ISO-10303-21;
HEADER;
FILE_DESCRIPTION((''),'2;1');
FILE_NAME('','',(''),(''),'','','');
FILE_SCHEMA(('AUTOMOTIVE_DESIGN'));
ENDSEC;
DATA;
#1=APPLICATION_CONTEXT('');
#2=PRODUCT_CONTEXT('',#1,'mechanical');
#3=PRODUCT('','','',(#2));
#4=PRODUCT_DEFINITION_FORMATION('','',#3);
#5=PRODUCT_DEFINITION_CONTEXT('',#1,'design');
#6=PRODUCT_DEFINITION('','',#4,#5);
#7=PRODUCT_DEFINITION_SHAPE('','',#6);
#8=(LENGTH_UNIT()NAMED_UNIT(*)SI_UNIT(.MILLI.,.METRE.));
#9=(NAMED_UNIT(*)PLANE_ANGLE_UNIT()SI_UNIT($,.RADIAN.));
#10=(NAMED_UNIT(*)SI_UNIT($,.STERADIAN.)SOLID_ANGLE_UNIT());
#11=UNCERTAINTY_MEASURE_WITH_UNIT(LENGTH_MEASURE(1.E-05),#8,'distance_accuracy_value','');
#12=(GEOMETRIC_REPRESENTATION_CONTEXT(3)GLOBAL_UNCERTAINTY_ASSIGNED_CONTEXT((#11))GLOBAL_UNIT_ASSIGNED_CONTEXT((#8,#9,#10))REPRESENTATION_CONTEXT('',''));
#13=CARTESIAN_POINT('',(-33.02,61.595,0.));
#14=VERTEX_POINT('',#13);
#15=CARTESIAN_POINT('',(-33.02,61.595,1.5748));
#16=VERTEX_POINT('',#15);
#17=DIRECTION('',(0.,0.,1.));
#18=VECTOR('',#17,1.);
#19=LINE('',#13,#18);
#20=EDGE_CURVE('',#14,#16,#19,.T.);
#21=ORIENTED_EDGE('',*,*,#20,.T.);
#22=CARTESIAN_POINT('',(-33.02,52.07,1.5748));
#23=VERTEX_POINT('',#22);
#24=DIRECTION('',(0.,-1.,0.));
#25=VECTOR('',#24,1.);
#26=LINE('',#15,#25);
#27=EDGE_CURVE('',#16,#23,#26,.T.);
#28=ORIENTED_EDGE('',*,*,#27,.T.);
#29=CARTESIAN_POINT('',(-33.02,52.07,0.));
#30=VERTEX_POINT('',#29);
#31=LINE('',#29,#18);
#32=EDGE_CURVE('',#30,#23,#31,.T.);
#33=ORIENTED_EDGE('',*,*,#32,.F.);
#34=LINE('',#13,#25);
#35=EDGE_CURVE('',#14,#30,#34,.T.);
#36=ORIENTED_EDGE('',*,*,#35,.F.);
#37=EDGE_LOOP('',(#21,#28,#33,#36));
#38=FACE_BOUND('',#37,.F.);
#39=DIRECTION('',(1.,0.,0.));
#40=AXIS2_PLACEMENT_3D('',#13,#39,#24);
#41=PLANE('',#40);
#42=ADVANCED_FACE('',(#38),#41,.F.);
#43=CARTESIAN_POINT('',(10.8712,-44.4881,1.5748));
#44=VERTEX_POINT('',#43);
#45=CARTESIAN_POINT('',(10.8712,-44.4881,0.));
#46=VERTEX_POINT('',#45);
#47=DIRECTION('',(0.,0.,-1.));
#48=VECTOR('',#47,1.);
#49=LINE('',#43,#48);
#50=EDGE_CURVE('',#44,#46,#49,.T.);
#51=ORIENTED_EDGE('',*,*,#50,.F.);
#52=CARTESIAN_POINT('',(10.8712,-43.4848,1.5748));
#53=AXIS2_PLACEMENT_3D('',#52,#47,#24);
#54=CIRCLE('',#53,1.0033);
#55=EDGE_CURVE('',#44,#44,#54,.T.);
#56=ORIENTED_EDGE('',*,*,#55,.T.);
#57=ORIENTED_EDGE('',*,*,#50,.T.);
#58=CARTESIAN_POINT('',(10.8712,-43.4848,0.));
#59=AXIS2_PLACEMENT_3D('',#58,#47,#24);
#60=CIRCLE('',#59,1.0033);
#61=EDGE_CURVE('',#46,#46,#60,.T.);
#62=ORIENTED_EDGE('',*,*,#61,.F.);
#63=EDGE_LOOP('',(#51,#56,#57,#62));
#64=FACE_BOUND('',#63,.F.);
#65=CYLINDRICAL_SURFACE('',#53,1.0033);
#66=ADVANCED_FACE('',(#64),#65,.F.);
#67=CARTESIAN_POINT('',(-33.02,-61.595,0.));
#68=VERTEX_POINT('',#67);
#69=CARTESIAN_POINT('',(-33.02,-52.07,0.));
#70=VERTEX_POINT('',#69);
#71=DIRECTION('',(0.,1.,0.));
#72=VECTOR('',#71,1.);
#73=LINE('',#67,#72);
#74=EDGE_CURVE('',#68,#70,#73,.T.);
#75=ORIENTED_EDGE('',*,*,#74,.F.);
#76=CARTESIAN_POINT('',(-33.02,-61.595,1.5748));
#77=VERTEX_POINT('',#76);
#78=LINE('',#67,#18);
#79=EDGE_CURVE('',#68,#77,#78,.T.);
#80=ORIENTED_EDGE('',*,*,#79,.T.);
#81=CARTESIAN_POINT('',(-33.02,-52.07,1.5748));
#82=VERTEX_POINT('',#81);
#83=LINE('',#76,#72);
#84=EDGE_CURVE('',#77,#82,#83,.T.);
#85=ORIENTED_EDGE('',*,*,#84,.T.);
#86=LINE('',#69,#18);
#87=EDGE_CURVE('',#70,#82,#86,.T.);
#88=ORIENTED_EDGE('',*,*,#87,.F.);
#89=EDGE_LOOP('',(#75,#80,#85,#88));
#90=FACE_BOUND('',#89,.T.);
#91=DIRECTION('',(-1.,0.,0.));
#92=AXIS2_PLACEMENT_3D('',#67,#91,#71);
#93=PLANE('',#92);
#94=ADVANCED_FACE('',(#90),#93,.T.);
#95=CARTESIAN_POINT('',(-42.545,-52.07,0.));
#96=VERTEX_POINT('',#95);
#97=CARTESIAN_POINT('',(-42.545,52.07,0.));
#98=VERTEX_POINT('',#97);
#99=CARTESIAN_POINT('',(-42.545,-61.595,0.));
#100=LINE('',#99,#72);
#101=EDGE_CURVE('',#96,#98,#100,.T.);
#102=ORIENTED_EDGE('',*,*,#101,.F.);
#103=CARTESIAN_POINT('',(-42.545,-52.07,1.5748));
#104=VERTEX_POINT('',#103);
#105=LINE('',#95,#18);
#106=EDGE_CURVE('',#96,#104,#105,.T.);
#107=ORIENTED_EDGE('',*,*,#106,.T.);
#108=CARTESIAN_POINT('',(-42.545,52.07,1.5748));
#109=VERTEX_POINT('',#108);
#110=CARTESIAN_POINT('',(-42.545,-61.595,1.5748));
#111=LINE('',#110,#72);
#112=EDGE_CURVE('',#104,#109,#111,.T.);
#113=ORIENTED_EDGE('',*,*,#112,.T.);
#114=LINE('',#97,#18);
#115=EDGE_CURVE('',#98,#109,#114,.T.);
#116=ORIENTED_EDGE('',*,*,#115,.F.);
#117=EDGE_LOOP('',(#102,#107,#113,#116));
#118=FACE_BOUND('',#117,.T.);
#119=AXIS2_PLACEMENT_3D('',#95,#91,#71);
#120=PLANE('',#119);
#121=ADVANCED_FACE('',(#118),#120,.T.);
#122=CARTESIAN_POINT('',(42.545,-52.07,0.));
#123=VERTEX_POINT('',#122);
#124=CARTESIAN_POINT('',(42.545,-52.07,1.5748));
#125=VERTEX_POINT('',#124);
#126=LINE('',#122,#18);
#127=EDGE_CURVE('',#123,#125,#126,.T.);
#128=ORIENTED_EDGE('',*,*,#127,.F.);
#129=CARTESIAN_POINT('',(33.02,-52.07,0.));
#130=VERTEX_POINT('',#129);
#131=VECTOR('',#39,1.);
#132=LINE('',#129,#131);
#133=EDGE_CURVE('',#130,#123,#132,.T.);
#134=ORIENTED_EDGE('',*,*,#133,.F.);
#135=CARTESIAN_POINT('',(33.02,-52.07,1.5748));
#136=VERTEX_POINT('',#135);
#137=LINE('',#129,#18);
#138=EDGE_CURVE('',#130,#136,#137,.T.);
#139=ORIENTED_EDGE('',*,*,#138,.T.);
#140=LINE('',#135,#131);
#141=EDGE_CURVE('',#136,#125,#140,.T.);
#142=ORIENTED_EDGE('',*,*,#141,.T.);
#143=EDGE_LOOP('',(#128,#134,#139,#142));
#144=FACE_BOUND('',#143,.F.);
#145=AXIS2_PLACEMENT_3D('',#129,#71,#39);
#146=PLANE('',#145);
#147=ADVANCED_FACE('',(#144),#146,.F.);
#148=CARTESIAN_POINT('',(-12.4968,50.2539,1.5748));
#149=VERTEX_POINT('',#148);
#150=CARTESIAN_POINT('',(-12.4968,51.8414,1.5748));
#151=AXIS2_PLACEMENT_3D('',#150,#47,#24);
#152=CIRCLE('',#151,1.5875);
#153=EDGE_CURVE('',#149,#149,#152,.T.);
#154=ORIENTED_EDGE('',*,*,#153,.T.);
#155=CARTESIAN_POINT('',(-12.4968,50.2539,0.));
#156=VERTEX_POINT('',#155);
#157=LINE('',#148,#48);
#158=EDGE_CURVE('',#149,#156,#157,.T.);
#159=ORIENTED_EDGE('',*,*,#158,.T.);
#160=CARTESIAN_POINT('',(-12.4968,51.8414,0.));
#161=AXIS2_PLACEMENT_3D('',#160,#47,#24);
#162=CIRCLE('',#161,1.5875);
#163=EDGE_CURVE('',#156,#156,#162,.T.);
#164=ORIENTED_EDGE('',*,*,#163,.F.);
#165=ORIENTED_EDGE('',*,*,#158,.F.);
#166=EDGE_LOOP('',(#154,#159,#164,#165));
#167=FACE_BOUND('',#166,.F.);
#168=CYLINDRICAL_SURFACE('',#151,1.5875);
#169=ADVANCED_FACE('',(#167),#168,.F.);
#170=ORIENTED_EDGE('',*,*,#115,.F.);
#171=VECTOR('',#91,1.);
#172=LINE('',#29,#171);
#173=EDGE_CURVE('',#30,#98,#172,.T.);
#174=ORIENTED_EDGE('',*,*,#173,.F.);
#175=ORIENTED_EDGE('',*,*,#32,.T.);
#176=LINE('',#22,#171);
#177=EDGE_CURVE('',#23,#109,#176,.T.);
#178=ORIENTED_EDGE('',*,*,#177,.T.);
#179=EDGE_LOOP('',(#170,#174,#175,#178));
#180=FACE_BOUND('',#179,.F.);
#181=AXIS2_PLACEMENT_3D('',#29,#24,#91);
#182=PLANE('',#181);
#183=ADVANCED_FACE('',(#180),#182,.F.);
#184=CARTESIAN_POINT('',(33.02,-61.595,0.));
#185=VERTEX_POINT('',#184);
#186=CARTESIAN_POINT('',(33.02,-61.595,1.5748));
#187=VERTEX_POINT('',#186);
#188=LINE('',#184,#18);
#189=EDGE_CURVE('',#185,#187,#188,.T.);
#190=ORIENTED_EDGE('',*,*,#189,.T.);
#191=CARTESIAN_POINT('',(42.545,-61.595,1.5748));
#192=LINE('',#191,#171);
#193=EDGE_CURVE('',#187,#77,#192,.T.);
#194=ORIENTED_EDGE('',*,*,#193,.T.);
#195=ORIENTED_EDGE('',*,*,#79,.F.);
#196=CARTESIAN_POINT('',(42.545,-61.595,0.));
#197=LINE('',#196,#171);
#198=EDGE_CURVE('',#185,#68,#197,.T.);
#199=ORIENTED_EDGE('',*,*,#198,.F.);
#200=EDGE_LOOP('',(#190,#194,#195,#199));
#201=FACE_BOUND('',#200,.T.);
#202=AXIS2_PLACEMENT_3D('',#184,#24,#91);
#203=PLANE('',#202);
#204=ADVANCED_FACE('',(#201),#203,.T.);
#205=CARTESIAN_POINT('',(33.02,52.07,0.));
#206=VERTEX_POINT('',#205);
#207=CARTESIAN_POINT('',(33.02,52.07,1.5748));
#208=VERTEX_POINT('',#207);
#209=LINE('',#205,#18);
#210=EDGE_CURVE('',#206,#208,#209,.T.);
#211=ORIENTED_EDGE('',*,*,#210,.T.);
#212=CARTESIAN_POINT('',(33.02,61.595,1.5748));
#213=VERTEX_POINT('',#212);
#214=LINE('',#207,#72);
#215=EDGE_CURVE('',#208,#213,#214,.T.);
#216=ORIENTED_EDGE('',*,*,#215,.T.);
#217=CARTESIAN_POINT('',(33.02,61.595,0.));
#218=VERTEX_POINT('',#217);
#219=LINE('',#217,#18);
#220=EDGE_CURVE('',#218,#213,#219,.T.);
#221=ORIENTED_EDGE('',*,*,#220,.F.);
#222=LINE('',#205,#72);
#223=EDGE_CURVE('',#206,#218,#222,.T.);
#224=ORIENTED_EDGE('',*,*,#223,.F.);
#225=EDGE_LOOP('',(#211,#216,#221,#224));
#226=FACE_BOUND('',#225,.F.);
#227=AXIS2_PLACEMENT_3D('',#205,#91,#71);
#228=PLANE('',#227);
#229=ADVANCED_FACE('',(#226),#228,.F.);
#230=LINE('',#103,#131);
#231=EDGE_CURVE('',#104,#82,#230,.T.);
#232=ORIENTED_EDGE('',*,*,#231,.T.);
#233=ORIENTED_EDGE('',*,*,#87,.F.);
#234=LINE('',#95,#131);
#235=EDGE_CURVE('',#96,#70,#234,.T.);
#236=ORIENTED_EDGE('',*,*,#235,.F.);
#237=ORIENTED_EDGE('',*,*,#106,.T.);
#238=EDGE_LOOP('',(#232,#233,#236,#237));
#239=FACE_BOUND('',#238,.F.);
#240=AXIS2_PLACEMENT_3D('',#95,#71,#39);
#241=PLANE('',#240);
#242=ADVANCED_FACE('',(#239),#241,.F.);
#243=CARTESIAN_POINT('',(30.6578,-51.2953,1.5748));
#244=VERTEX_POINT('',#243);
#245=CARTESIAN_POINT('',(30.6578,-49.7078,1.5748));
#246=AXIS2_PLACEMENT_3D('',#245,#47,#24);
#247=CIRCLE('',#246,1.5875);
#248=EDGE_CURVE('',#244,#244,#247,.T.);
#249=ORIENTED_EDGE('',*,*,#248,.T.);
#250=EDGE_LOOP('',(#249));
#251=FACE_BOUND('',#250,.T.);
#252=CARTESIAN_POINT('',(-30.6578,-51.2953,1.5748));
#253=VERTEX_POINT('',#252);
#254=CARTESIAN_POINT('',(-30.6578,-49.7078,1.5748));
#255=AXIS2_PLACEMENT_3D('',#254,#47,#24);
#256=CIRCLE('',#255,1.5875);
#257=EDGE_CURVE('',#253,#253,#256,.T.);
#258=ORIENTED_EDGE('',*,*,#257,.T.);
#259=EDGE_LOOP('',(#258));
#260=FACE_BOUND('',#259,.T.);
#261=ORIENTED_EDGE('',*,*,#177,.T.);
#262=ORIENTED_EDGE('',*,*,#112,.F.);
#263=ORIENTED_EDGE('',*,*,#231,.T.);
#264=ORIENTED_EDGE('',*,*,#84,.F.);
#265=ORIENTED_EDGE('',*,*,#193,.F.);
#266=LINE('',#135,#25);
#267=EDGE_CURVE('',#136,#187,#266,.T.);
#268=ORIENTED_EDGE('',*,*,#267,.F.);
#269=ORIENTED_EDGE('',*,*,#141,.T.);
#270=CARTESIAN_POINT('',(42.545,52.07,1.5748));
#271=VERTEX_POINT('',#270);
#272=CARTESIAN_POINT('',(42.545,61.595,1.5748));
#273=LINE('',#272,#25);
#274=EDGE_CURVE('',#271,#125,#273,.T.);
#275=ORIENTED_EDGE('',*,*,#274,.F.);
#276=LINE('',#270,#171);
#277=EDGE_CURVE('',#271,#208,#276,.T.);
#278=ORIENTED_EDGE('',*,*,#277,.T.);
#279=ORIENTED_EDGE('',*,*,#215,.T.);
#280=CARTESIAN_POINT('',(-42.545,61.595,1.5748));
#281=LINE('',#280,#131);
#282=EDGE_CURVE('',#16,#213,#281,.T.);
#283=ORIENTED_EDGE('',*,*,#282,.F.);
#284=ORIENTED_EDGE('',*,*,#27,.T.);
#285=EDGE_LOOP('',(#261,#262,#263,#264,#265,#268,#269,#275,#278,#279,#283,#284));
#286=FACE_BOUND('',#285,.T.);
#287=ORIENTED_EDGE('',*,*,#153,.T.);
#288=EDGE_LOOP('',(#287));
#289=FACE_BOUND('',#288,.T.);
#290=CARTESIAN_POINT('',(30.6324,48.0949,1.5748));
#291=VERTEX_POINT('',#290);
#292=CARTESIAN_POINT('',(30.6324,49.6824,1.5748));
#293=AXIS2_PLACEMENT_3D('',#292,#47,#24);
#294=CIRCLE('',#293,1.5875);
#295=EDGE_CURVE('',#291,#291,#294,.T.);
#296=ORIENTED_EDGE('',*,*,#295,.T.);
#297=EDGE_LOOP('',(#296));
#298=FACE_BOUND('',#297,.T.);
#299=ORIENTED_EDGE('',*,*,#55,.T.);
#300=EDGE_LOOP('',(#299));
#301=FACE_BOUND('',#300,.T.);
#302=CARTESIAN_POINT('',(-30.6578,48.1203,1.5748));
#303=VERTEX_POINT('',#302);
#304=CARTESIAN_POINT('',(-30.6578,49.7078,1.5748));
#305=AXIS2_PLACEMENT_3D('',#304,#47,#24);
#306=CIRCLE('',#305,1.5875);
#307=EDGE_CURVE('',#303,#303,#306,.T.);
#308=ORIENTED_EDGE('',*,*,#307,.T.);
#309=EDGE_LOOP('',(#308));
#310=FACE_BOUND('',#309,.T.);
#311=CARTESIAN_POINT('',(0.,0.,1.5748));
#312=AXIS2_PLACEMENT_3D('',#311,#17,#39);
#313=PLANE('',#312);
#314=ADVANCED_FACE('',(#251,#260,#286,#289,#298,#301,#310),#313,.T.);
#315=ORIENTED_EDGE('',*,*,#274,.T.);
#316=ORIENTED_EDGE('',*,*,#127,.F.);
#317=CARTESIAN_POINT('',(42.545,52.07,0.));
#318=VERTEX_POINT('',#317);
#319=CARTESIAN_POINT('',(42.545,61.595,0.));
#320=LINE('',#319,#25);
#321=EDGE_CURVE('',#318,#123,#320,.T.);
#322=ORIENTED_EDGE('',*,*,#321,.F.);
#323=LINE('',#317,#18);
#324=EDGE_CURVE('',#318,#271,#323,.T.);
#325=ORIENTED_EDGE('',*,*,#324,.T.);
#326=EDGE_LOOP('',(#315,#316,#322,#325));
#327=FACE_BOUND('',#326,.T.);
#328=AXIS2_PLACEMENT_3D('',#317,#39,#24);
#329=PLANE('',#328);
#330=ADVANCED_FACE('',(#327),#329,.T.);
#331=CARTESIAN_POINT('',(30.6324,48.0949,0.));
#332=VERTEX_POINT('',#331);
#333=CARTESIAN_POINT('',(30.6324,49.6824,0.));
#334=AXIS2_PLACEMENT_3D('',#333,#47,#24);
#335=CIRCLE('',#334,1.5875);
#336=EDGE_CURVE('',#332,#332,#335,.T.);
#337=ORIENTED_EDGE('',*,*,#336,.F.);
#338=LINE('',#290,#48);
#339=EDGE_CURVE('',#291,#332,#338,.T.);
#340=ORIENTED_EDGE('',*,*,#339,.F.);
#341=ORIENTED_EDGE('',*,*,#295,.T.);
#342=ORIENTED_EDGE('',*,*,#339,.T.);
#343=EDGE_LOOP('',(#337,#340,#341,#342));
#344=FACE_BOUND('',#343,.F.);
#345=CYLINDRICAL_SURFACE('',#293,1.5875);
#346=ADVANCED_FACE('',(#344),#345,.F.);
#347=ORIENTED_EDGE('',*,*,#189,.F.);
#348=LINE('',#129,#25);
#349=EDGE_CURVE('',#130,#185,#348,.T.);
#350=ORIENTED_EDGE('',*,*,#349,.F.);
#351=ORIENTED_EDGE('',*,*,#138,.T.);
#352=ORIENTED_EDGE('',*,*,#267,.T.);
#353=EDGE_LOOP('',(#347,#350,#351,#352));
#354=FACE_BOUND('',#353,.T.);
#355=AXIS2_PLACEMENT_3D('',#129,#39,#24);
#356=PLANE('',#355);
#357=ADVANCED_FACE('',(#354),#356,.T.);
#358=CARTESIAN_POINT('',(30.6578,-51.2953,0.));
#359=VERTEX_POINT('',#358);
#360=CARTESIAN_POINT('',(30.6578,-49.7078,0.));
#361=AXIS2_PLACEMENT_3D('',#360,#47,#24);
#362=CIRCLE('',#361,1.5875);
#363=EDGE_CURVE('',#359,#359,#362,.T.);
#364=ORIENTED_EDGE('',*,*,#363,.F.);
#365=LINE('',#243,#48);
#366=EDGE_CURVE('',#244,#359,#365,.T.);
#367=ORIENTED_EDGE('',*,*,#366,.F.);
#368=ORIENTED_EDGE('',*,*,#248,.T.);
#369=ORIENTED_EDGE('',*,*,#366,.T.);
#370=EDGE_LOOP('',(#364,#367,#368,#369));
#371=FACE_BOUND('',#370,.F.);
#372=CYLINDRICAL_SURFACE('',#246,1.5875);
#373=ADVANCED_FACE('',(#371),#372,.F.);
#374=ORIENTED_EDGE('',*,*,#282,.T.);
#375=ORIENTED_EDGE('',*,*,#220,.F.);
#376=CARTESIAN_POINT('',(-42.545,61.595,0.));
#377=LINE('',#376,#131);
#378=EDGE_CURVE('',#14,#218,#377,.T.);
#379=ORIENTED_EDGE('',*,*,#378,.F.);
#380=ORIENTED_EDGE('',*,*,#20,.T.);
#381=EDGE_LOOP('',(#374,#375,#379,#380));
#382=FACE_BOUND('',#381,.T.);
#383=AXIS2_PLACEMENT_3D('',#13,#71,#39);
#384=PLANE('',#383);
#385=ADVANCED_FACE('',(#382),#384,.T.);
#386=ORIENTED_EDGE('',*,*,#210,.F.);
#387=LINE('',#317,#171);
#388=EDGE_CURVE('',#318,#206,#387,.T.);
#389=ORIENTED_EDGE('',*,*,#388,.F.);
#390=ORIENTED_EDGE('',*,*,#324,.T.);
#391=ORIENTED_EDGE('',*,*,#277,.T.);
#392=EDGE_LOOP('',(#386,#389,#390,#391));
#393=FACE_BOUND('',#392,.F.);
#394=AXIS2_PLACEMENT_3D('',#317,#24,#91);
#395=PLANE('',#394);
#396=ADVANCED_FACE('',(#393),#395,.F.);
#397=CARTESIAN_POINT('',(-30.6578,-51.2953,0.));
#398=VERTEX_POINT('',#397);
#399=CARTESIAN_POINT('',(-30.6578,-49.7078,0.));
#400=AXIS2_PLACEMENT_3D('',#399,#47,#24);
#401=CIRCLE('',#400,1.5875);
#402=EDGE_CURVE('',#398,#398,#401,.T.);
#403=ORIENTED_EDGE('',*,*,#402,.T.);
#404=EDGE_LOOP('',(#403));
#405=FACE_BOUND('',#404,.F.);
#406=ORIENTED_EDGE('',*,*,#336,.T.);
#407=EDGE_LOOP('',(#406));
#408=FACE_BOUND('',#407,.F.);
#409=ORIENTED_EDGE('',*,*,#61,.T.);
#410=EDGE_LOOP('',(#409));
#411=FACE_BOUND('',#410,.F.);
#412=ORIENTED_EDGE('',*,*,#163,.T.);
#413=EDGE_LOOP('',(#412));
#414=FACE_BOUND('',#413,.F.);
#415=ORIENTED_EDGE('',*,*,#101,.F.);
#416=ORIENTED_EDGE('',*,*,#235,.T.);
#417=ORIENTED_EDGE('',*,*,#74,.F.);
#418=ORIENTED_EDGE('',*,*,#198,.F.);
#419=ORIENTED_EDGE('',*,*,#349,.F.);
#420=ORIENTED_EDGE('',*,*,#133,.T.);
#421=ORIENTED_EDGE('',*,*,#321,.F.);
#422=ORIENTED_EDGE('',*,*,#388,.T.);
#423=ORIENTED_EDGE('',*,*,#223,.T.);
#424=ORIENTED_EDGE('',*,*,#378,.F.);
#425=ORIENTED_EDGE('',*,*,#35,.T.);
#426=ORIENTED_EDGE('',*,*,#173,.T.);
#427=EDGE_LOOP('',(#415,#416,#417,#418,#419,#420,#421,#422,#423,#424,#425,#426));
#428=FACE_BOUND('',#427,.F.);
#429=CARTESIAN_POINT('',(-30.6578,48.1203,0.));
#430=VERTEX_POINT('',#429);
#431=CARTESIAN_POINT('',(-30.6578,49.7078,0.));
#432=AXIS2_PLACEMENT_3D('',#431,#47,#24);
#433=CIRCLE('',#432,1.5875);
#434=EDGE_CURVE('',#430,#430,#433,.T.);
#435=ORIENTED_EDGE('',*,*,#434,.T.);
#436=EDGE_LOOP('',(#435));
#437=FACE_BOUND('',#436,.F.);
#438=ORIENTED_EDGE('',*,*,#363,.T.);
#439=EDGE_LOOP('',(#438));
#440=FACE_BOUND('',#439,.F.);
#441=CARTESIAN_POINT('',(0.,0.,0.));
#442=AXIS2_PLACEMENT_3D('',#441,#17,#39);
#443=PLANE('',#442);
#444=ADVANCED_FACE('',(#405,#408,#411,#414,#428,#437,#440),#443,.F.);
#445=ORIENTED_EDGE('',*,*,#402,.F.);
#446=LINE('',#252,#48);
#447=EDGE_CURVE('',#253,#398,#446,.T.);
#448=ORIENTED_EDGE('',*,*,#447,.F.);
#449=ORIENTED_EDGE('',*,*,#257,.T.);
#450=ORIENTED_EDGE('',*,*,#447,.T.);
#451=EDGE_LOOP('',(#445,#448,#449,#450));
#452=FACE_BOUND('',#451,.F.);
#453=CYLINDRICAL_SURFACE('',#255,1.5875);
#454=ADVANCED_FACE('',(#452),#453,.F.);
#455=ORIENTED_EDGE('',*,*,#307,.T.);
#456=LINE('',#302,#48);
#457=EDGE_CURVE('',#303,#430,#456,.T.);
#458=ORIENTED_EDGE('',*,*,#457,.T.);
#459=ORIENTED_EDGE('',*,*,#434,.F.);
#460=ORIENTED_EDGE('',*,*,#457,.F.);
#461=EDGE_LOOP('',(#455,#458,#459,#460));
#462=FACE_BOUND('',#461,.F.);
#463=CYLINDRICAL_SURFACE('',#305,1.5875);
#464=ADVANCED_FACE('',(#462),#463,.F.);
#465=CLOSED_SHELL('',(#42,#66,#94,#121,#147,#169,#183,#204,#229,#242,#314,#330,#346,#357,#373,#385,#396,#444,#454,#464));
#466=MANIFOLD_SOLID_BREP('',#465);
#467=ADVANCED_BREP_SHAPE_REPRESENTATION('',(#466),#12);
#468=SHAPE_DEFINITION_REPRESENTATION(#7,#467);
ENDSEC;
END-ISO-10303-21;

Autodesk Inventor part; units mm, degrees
ref_plane "YZ Plane" through (0, 0, 0) normal (1, 0, 0) x (0, 1, 0)
ref_plane "XZ Plane" through (0, 0, 0) normal (0, 1, 0) x (-1, 0, 0)
ref_plane "XY Plane" through (0, 0, 0) normal (0, 0, 1) x (1, 0, 0)
sketch "Sketch1" plane through (0, 0, 0) normal (0, 0, 1) x (1, 0, 0)
  line L0 (-33.02, 52.07) -> (33.02, 52.07)
  line L1 (33.02, 52.07) -> (33.02, -52.07)
  line L2 (33.02, -52.07) -> (-33.02, -52.07)
  line L3 (-33.02, -52.07) -> (-33.02, 52.07)
  line L4 (-42.545, 61.595) -> (42.545, 61.595)
  line L5 (42.545, 61.595) -> (42.545, -61.595)
  line L6 (42.545, -61.595) -> (-42.545, -61.595)
  line L7 (-42.545, -61.595) -> (-42.545, 61.595)
  line L8 (-33.02, 52.07) -> (33.02, 52.07)
  line L9 (33.02, 52.07) -> (33.02, 61.595)
  line L10 (33.02, 61.595) -> (-33.02, 61.595)
  line L11 (-33.02, 61.595) -> (-33.02, 52.07)
  line L12 (-33.02, 52.07) -> (-42.545, 52.07)
  line L13 (-42.545, 52.07) -> (-42.545, -52.07)
  line L14 (-42.545, -52.07) -> (-33.02, -52.07)
  line L15 (-33.02, -52.07) -> (-33.02, 52.07)
  line L16 (33.02, -52.07) -> (42.545, -52.07)
  line L17 (42.545, -52.07) -> (42.545, 52.07)
  line L18 (42.545, 52.07) -> (33.02, 52.07)
  line L19 (33.02, 52.07) -> (33.02, -52.07)
  line L20 (-33.02, -52.07) -> (33.02, -52.07)
  line L21 (33.02, -52.07) -> (33.02, -61.595)
  line L22 (33.02, -61.595) -> (-33.02, -61.595)
  line L23 (-33.02, -61.595) -> (-33.02, -52.07)
  point P0 (0, 0)
  dimension "d0" = 104.14
  dimension "d1" = 123.19
  dimension "d2" = 66.04
  dimension "d3" = 85.09
  dimension "d4" = 52.07
  dimension "d5" = 33.02
  dimension "d6" = 61.595
  dimension "d7" = 42.545
extrude "Extrusion1" add sketch "Sketch1" along normal blind 1.5748 contours L11 L4 L9 L0 | L0 L1 L2 L3 | L3 L14 L7 L12 | L18 L5 L16 L1 | L2 L21 L6 L23
hole "Hole1" at (30.6324, 49.6824, 1.5748) direction (0, 0, -1) diameter 3.175 end through all
hole "Hole2" at (-30.6578, 49.7078, 1.5748) direction (0, 0, -1) diameter 3.175 end through all
hole "Hole3" at (-30.6578, -49.7078, 1.5748) direction (0, 0, -1) diameter 3.175 end through all
hole "Hole4" at (30.6578, -49.7078, 1.5748) direction (0, 0, -1) diameter 3.175 end through all
hole "Hole5" at (10.8712, -43.4848, 1.5748) direction (0, 0, -1) diameter 2.0066 end through all
hole "Hole6" at (-12.4968, 51.8414, 1.5748) direction (0, 0, -1) diameter 3.175 end through all
equation "\"d4\" = 0.5 * d0"
equation "\"d5\" = 0.5 * d2"
equation "\"d6\" = 0.5 * d1"
equation "\"d7\" = 0.5 * d3"
properties part number "power supply pcb"
